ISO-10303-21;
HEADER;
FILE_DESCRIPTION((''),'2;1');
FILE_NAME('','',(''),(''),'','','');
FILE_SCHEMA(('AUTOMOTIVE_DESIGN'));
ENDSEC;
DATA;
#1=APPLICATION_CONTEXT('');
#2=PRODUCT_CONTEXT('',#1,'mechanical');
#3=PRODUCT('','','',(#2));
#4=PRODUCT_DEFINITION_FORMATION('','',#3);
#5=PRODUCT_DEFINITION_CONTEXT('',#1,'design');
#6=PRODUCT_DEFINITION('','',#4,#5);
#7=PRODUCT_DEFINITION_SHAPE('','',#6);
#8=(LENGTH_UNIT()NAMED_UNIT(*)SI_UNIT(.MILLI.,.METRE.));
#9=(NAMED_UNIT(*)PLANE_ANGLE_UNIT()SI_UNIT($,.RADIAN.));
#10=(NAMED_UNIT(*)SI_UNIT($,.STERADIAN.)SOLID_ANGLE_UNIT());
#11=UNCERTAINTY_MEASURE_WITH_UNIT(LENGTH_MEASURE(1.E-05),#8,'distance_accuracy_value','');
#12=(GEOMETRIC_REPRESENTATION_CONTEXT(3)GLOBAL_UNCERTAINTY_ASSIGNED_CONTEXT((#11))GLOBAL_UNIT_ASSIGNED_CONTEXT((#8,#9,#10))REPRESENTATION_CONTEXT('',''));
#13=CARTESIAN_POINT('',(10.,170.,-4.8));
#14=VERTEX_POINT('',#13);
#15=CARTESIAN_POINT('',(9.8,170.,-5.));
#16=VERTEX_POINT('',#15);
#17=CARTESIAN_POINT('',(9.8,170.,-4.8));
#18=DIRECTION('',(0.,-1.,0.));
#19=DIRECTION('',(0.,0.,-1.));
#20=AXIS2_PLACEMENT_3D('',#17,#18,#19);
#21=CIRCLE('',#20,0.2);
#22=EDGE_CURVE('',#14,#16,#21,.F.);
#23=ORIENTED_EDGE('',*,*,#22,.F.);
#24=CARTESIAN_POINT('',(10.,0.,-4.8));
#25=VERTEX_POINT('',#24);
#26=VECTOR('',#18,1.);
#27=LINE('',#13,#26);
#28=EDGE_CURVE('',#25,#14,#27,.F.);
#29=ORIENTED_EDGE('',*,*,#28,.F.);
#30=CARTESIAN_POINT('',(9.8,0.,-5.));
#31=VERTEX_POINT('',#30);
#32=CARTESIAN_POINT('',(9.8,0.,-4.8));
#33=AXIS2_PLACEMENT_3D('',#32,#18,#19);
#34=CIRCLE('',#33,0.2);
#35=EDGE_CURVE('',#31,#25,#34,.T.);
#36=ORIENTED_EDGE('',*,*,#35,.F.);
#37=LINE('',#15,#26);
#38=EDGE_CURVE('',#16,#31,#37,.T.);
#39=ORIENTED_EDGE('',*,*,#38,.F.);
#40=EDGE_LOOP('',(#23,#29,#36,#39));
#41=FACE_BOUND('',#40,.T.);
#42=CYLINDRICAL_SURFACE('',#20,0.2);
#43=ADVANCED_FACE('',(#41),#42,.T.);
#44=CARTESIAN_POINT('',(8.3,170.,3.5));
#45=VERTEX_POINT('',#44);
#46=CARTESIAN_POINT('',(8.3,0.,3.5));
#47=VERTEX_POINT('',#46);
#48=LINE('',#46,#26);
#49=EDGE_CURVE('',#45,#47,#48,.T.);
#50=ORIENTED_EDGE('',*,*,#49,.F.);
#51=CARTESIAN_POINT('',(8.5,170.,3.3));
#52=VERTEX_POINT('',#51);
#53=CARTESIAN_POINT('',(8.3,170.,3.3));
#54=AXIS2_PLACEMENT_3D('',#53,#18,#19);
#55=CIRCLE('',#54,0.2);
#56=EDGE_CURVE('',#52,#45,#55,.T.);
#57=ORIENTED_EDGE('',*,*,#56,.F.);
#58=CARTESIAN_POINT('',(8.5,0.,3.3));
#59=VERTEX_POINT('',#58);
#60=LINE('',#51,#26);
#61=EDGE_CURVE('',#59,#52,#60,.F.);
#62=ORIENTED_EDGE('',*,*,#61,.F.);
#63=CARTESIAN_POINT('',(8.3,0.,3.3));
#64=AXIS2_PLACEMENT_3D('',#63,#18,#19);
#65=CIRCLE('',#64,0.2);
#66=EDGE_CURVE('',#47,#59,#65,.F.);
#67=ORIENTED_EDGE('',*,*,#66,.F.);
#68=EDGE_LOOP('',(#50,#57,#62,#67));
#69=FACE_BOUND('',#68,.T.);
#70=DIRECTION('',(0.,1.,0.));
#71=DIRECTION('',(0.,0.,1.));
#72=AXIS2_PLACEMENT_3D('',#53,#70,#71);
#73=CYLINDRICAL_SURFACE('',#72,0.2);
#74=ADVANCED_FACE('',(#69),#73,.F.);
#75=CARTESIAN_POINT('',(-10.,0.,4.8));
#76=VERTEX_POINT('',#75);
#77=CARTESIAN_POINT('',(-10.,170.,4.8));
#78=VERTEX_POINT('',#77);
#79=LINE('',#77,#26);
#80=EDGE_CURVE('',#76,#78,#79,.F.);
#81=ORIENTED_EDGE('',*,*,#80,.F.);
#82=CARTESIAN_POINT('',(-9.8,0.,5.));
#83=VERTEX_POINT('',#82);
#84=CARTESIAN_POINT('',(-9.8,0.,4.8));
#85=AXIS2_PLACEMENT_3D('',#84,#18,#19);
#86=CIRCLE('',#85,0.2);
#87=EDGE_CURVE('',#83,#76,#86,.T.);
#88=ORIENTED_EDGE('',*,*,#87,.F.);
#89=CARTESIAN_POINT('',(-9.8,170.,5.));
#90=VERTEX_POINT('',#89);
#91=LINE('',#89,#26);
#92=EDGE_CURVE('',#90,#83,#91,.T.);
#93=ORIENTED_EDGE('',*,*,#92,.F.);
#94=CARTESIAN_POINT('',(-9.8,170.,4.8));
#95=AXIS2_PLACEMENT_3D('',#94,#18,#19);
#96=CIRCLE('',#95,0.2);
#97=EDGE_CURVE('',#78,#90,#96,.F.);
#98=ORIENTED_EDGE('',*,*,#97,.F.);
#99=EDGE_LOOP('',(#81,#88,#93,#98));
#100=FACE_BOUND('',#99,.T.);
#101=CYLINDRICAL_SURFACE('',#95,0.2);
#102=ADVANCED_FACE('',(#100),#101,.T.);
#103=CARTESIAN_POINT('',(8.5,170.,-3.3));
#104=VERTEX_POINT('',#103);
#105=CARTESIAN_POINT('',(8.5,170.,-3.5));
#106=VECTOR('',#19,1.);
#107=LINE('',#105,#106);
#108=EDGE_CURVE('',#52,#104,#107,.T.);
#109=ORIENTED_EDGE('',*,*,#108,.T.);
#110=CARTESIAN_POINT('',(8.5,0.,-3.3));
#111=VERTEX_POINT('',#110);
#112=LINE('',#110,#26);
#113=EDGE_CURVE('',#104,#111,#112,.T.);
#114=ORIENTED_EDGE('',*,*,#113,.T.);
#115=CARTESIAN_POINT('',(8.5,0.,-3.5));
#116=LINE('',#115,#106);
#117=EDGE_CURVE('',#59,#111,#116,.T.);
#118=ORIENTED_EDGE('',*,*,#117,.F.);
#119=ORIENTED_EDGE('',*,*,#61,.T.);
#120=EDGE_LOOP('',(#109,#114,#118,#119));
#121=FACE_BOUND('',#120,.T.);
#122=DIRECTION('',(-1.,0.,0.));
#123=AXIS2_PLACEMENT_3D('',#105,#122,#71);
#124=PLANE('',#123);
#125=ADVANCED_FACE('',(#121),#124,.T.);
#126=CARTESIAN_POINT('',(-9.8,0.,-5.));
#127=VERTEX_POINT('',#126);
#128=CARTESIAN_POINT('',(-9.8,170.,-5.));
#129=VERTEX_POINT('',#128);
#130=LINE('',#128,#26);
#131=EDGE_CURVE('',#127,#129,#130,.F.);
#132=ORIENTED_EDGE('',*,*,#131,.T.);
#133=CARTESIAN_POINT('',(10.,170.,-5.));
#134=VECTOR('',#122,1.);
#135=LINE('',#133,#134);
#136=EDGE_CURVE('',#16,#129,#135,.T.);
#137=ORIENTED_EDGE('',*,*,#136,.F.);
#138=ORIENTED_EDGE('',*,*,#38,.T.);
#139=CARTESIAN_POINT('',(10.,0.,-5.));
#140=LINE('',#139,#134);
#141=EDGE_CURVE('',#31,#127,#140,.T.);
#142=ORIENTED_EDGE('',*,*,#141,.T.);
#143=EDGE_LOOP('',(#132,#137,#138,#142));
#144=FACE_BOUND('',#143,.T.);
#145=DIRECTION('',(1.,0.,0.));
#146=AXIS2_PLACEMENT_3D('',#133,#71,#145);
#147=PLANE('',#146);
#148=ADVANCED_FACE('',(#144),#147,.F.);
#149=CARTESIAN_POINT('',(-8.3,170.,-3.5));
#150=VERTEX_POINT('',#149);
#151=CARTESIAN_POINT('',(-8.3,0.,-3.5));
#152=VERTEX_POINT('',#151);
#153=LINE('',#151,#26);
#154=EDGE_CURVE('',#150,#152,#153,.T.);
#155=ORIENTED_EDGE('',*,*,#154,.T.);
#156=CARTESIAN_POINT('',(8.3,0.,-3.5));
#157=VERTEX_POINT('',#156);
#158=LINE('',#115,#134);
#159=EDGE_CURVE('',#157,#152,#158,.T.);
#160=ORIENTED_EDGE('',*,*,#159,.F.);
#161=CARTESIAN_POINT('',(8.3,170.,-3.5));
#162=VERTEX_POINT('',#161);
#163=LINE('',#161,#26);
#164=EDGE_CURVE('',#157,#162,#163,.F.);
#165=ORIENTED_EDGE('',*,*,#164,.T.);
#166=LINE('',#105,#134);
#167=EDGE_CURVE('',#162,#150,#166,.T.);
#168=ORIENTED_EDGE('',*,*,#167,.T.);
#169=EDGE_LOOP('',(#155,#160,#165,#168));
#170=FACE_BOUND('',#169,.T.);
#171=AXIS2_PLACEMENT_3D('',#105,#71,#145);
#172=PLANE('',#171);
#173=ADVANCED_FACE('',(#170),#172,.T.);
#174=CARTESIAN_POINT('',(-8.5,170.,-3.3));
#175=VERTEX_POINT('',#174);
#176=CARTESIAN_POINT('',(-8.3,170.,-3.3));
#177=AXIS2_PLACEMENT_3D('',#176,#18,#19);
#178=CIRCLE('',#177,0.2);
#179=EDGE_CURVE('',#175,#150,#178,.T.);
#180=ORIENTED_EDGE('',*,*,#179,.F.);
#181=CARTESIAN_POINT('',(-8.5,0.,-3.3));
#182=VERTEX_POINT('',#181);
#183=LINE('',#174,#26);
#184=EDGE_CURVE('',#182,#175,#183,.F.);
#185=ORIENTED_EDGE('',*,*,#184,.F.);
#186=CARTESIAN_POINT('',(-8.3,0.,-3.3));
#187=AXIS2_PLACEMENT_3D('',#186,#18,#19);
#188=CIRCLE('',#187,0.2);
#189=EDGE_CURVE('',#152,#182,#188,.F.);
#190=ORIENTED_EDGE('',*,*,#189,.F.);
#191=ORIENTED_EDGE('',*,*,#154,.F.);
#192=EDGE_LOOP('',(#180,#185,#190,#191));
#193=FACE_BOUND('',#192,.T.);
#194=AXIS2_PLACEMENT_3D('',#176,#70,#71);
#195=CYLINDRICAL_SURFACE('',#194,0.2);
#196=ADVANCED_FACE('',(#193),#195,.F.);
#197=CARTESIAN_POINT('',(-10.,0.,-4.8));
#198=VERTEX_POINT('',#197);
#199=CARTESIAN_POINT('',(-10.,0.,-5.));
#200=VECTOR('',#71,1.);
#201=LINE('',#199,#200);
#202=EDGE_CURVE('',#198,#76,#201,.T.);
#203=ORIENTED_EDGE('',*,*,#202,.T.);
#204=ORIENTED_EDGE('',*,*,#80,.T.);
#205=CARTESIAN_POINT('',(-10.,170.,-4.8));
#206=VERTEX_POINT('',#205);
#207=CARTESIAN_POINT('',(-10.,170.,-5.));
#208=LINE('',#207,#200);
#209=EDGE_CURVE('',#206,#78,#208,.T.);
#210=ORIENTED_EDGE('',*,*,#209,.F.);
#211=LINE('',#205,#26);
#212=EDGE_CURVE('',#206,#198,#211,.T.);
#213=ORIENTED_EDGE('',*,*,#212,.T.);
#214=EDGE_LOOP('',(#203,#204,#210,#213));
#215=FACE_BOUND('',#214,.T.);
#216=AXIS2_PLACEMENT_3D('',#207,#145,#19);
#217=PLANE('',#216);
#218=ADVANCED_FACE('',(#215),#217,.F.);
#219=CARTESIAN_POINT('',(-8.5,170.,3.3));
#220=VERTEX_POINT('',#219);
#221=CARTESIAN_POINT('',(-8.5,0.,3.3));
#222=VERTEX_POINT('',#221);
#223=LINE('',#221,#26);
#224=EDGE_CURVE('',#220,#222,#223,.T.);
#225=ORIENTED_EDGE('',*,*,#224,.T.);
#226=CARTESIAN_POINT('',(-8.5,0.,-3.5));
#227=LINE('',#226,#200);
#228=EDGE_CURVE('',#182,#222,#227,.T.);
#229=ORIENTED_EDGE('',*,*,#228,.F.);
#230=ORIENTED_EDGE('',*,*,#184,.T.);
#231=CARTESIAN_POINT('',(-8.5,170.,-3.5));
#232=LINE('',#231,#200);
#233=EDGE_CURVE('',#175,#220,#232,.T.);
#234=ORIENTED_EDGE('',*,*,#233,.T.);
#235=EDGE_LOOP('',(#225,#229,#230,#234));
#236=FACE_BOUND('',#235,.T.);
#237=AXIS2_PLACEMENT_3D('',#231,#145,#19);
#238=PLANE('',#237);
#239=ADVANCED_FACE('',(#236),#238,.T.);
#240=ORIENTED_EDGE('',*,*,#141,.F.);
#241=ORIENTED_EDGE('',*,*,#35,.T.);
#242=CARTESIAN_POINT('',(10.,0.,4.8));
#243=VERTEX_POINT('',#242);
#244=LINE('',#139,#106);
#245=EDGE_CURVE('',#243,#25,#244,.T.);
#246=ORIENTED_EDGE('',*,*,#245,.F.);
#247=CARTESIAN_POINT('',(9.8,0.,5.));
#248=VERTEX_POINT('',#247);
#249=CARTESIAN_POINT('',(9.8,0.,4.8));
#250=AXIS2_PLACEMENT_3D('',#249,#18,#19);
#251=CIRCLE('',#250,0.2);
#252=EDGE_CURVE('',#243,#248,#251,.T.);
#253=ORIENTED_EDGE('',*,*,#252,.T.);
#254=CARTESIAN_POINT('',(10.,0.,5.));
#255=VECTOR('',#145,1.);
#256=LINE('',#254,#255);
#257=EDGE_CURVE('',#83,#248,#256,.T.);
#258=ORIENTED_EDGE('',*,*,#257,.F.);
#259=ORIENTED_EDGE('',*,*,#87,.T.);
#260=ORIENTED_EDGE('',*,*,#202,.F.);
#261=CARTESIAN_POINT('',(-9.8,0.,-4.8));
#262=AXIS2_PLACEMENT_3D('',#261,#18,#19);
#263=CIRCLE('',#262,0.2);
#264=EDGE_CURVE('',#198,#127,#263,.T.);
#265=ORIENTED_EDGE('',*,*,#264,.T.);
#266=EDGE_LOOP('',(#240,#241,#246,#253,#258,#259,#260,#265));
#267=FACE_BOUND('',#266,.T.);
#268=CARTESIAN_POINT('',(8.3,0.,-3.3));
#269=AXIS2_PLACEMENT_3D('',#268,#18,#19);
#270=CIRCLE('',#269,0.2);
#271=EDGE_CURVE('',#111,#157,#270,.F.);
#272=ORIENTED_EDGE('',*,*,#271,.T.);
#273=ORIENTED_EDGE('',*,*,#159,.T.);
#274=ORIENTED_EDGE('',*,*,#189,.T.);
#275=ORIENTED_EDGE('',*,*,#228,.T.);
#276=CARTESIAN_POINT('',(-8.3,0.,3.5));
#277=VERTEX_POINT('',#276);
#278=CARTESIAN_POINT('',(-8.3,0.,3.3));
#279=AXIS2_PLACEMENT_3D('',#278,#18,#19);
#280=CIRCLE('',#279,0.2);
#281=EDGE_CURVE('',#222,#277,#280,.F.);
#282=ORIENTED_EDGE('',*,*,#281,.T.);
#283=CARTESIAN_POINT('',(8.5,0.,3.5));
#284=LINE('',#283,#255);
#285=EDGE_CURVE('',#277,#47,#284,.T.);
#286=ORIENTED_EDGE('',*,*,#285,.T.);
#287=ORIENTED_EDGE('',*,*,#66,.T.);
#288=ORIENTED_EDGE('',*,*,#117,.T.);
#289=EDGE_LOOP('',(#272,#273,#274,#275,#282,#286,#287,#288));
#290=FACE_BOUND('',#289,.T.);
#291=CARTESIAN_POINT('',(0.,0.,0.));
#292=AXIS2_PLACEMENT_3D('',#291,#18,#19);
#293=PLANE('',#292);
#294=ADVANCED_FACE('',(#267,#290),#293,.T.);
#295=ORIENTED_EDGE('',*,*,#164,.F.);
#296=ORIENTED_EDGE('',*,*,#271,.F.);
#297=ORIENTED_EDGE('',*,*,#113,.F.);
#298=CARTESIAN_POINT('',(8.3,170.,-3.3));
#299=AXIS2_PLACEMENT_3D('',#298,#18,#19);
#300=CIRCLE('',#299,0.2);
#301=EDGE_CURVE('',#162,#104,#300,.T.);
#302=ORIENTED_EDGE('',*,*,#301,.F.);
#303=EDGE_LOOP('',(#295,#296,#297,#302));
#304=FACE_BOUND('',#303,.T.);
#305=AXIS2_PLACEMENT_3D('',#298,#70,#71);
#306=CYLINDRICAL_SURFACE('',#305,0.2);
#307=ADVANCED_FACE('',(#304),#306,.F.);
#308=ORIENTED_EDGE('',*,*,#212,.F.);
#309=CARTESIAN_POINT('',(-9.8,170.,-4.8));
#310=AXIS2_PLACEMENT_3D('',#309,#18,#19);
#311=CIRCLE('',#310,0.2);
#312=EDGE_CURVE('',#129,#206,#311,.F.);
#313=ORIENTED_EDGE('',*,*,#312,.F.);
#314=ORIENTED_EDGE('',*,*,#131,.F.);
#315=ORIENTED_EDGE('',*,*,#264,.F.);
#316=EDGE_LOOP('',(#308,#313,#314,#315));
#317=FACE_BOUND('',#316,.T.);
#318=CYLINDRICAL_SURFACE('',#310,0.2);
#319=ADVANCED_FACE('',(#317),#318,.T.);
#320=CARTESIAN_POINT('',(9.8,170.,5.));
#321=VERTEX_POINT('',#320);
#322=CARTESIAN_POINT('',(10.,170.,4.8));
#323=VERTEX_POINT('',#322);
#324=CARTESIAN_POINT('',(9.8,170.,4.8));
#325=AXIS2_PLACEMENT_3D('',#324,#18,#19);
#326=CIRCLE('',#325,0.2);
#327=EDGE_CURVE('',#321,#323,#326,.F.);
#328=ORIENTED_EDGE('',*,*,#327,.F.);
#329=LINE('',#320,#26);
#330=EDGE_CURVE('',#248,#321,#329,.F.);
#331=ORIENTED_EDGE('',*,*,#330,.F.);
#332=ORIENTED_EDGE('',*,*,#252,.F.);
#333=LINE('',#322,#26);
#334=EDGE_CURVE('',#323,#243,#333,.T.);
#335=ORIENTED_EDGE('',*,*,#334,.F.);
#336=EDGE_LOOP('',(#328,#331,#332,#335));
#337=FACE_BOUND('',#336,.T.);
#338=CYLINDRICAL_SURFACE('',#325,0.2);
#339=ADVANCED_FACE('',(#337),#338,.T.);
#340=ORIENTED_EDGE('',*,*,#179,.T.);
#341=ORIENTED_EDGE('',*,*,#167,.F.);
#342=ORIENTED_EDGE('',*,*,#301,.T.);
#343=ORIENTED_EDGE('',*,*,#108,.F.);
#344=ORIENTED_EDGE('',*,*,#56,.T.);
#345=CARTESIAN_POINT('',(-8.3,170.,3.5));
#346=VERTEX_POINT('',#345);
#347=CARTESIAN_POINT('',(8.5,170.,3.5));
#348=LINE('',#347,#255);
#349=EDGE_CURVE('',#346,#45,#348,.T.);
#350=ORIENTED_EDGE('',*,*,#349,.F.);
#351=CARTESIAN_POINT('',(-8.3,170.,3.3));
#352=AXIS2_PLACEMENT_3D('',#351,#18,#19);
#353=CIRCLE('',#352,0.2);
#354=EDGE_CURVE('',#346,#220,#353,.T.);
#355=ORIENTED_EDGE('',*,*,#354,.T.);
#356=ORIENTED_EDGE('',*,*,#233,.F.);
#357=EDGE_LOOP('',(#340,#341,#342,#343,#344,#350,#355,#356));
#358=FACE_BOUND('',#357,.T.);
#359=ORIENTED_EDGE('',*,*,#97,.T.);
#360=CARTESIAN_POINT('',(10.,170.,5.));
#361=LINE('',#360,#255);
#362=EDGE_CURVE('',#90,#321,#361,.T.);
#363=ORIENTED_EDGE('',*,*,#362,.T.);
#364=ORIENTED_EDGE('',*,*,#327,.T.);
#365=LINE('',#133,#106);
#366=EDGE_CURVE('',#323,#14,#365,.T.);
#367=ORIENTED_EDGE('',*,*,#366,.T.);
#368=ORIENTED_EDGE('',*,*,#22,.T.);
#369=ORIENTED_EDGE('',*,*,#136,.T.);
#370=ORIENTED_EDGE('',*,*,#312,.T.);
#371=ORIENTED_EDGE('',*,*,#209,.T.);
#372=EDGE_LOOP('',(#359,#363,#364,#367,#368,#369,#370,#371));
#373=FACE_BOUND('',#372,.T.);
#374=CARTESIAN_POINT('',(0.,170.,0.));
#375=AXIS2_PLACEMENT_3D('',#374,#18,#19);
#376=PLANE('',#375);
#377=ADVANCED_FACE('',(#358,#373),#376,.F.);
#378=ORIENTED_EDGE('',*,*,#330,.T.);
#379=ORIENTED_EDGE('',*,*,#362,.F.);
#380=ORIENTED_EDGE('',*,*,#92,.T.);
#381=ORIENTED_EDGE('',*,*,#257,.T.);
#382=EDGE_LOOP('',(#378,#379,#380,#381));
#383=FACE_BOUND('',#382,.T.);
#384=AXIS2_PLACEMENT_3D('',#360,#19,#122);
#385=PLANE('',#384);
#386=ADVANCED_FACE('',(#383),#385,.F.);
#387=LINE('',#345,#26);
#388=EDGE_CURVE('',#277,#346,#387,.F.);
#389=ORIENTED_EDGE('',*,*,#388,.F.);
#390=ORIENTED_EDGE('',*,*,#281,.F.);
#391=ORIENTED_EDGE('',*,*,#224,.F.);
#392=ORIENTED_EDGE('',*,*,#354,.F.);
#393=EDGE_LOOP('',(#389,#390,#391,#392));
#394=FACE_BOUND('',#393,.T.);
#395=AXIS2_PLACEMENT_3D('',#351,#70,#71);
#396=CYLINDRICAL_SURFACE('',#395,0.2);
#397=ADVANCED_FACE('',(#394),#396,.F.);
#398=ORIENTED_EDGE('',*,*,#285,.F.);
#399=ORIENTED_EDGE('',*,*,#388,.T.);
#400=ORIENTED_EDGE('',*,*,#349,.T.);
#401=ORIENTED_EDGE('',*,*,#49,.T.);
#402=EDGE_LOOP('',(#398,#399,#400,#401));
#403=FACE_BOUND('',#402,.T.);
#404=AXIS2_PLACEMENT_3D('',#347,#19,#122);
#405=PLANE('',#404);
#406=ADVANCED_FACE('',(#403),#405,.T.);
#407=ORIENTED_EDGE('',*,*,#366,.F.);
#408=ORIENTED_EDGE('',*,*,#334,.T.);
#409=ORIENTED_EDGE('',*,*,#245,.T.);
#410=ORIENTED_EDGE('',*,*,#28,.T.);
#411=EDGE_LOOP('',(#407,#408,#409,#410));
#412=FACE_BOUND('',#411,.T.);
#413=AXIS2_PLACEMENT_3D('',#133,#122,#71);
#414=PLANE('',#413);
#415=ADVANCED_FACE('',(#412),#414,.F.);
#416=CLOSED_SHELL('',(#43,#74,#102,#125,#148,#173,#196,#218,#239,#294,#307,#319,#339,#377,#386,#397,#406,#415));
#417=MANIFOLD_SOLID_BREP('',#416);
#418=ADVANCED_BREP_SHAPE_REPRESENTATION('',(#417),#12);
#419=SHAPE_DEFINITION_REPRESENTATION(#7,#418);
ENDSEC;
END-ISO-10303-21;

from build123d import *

# Parameters (mm, degrees)
SKETCH_1_W      = 20
SKETCH_1_H      = 10
SKETCH_1_W_2    = 17
SKETCH_1_H_2    = 7
EXTRUDE_1_DEPTH = 170
FILLET_1_R      = 0.2


with BuildPart() as part:
    # Эскиз1 → Бобышка-Вытянуть1 (new body)
    with BuildSketch(Plane(origin=(0, 0, 0), x_dir=(1, 0, 0), z_dir=(0, 1, 0))):
        Rectangle(SKETCH_1_W, SKETCH_1_H)
        Rectangle(SKETCH_1_W_2, SKETCH_1_H_2, mode=Mode.SUBTRACT)
    extrude(amount=EXTRUDE_1_DEPTH)

    # Скругление1
    fillet_1_edges = [part.edges().sort_by_distance(p)[0] for p in [
        (8.5, 85, 3.5),
        (8.5, 85, -3.5),
        (-8.5, 85, -3.5),
        (-8.5, 85, 3.5),
        (-10, 85, -5),
        (10, 85, -5),
        (10, 85, 5),
        (-10, 85, 5),
    ]]
    fillet(fillet_1_edges, radius=FILLET_1_R)


solid = part.part
